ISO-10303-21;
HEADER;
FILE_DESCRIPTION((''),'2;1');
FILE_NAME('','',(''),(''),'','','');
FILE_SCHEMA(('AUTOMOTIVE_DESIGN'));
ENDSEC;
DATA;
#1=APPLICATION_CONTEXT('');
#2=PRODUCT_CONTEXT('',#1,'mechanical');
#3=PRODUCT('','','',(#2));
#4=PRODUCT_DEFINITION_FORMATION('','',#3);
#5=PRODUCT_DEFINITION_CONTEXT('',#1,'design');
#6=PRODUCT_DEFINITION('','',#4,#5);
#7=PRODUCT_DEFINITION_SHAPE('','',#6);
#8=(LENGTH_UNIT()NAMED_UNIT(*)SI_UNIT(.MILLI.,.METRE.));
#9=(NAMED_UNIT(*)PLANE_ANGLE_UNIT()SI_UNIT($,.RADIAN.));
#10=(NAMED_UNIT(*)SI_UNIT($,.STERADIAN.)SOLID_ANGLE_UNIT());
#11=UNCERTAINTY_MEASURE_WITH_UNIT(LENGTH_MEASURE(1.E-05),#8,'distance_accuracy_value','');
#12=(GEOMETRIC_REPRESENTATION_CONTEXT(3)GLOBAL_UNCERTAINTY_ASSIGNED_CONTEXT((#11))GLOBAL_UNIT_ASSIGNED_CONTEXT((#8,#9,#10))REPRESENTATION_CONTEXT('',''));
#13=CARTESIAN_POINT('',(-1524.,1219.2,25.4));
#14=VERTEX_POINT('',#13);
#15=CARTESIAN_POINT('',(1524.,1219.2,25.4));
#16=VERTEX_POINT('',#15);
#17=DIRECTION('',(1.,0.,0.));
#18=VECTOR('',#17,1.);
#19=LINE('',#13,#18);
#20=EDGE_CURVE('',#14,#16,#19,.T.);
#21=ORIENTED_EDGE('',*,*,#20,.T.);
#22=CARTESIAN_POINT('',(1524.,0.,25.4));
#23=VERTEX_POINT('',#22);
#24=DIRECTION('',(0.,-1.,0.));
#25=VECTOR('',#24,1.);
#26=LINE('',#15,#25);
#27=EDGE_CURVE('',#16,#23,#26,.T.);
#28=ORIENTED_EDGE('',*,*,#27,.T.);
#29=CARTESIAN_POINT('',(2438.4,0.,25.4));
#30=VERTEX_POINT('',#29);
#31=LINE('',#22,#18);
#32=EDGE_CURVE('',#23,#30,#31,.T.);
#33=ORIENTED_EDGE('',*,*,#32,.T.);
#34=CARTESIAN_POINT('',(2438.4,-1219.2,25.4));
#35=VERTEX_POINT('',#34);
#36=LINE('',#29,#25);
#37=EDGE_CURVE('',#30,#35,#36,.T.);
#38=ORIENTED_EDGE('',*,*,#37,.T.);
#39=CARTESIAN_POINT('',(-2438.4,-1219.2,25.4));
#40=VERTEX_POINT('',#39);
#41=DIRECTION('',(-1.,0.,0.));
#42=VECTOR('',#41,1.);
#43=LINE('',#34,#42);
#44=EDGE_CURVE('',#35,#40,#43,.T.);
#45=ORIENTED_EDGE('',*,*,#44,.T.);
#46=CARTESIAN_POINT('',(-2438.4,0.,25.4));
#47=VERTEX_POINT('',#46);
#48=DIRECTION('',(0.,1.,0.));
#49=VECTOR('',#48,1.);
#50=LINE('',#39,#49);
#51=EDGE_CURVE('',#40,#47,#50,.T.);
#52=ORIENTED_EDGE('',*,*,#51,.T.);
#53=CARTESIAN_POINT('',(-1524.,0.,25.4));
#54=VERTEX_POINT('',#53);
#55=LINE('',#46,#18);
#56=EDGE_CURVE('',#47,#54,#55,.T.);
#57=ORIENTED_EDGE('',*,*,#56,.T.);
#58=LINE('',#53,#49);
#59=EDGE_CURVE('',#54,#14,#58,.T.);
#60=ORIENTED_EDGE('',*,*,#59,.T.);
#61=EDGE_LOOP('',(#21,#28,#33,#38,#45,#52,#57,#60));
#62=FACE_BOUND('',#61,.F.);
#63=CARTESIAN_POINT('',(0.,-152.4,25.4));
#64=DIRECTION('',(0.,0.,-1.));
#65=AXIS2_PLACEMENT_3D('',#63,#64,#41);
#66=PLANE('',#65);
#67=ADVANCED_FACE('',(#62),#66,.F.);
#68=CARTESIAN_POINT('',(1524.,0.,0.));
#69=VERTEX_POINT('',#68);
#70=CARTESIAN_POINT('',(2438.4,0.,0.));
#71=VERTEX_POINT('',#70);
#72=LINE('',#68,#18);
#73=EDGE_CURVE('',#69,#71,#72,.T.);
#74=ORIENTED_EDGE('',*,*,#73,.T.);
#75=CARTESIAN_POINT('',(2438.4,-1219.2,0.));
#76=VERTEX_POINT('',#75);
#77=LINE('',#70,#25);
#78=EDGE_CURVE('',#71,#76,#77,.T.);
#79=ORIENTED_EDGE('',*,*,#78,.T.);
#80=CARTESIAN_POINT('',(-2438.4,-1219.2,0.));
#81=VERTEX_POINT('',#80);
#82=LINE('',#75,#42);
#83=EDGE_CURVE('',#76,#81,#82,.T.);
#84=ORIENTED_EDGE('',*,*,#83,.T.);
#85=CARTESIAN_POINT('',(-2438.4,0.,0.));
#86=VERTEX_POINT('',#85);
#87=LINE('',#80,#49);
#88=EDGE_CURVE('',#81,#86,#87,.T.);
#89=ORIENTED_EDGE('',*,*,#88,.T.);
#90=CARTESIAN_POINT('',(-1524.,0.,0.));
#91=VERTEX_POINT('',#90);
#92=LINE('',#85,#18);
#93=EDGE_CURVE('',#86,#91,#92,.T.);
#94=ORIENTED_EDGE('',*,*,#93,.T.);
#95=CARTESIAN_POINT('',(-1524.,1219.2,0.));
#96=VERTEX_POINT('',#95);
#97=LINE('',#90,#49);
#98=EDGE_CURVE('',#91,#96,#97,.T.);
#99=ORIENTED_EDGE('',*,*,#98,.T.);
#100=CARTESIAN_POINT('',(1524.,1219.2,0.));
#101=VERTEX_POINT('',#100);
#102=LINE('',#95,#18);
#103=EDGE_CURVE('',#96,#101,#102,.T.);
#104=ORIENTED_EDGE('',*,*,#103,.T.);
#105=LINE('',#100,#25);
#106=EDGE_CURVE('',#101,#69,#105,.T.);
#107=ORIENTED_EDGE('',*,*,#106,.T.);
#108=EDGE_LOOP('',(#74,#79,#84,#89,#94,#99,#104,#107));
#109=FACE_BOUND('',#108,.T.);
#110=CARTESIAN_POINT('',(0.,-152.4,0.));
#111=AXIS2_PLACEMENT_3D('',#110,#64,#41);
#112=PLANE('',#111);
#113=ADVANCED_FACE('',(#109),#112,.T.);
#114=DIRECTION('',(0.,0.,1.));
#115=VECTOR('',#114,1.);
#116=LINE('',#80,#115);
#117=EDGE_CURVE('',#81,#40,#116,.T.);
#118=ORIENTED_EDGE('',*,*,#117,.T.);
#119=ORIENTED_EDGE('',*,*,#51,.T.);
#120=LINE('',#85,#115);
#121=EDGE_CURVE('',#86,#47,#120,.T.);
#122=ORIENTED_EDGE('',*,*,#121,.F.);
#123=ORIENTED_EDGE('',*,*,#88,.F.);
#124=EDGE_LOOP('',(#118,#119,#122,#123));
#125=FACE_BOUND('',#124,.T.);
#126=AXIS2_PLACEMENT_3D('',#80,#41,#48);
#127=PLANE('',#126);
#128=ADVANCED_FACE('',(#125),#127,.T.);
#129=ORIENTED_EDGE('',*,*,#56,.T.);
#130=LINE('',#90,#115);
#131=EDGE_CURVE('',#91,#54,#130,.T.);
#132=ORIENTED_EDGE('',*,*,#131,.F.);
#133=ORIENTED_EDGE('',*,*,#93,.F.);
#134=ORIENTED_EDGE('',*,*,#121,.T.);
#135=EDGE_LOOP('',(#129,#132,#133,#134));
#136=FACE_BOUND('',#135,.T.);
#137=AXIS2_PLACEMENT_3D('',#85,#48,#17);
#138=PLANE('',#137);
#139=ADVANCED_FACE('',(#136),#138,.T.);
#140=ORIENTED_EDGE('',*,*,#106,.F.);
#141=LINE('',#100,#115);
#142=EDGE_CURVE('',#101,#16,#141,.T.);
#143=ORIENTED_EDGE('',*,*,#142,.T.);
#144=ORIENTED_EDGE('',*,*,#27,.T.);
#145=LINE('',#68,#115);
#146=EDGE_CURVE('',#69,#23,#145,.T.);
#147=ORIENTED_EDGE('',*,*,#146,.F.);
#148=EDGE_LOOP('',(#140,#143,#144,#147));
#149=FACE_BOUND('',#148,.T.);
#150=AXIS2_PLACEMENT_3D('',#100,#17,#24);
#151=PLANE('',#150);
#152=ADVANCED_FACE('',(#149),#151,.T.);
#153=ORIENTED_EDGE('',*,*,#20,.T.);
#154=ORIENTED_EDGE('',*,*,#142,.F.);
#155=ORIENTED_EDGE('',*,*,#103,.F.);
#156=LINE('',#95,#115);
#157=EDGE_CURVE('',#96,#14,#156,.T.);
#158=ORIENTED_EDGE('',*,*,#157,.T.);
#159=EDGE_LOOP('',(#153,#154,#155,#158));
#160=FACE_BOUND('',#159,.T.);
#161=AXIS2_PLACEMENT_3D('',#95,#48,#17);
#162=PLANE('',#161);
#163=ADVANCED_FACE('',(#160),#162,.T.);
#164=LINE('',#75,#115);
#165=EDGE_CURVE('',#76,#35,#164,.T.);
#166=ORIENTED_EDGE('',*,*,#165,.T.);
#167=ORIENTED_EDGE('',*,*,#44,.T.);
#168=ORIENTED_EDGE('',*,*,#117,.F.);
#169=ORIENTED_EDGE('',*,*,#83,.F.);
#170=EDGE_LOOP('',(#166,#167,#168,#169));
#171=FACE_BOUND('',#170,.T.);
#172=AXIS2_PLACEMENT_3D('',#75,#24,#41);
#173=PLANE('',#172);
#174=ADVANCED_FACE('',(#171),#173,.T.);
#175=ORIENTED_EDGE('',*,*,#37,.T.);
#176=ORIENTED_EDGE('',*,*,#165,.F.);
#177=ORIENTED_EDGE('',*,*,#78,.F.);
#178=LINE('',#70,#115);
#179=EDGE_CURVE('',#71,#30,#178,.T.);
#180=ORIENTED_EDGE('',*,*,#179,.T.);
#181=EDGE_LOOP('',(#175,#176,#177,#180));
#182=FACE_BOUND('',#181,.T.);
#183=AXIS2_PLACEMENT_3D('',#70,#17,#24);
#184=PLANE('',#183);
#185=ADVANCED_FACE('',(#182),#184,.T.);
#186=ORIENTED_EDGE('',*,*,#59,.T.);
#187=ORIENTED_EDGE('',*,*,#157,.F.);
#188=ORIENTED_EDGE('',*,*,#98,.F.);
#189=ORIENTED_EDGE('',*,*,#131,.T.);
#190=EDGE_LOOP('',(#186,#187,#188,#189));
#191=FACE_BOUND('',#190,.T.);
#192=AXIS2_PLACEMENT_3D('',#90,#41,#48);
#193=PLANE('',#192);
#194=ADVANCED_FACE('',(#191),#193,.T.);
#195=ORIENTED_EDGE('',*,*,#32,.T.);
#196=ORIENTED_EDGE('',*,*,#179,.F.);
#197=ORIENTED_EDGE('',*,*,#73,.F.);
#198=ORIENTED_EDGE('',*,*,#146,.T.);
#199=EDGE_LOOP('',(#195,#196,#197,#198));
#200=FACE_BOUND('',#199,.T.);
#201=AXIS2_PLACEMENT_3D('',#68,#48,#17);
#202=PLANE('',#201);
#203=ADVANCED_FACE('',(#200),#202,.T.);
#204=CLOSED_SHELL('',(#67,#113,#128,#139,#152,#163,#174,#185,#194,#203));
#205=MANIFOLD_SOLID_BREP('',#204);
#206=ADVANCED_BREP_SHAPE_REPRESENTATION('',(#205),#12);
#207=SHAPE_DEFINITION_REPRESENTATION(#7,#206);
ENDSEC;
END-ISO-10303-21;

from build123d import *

# Parameters (mm, degrees)
PAD_DEPTH = 25.4


with BuildPart() as part:
    # Sketch → Pad (new body)
    with BuildSketch(Plane.XY):
        Polygon((-2438.4, -1219.2), (-2438.4, 0), (-1524, 0), (-1524, 1219.2), (1524, 1219.2), (1524, 0), (2438.4, 0), (2438.4, -1219.2), align=None)
    extrude(amount=PAD_DEPTH)


solid = part.part
